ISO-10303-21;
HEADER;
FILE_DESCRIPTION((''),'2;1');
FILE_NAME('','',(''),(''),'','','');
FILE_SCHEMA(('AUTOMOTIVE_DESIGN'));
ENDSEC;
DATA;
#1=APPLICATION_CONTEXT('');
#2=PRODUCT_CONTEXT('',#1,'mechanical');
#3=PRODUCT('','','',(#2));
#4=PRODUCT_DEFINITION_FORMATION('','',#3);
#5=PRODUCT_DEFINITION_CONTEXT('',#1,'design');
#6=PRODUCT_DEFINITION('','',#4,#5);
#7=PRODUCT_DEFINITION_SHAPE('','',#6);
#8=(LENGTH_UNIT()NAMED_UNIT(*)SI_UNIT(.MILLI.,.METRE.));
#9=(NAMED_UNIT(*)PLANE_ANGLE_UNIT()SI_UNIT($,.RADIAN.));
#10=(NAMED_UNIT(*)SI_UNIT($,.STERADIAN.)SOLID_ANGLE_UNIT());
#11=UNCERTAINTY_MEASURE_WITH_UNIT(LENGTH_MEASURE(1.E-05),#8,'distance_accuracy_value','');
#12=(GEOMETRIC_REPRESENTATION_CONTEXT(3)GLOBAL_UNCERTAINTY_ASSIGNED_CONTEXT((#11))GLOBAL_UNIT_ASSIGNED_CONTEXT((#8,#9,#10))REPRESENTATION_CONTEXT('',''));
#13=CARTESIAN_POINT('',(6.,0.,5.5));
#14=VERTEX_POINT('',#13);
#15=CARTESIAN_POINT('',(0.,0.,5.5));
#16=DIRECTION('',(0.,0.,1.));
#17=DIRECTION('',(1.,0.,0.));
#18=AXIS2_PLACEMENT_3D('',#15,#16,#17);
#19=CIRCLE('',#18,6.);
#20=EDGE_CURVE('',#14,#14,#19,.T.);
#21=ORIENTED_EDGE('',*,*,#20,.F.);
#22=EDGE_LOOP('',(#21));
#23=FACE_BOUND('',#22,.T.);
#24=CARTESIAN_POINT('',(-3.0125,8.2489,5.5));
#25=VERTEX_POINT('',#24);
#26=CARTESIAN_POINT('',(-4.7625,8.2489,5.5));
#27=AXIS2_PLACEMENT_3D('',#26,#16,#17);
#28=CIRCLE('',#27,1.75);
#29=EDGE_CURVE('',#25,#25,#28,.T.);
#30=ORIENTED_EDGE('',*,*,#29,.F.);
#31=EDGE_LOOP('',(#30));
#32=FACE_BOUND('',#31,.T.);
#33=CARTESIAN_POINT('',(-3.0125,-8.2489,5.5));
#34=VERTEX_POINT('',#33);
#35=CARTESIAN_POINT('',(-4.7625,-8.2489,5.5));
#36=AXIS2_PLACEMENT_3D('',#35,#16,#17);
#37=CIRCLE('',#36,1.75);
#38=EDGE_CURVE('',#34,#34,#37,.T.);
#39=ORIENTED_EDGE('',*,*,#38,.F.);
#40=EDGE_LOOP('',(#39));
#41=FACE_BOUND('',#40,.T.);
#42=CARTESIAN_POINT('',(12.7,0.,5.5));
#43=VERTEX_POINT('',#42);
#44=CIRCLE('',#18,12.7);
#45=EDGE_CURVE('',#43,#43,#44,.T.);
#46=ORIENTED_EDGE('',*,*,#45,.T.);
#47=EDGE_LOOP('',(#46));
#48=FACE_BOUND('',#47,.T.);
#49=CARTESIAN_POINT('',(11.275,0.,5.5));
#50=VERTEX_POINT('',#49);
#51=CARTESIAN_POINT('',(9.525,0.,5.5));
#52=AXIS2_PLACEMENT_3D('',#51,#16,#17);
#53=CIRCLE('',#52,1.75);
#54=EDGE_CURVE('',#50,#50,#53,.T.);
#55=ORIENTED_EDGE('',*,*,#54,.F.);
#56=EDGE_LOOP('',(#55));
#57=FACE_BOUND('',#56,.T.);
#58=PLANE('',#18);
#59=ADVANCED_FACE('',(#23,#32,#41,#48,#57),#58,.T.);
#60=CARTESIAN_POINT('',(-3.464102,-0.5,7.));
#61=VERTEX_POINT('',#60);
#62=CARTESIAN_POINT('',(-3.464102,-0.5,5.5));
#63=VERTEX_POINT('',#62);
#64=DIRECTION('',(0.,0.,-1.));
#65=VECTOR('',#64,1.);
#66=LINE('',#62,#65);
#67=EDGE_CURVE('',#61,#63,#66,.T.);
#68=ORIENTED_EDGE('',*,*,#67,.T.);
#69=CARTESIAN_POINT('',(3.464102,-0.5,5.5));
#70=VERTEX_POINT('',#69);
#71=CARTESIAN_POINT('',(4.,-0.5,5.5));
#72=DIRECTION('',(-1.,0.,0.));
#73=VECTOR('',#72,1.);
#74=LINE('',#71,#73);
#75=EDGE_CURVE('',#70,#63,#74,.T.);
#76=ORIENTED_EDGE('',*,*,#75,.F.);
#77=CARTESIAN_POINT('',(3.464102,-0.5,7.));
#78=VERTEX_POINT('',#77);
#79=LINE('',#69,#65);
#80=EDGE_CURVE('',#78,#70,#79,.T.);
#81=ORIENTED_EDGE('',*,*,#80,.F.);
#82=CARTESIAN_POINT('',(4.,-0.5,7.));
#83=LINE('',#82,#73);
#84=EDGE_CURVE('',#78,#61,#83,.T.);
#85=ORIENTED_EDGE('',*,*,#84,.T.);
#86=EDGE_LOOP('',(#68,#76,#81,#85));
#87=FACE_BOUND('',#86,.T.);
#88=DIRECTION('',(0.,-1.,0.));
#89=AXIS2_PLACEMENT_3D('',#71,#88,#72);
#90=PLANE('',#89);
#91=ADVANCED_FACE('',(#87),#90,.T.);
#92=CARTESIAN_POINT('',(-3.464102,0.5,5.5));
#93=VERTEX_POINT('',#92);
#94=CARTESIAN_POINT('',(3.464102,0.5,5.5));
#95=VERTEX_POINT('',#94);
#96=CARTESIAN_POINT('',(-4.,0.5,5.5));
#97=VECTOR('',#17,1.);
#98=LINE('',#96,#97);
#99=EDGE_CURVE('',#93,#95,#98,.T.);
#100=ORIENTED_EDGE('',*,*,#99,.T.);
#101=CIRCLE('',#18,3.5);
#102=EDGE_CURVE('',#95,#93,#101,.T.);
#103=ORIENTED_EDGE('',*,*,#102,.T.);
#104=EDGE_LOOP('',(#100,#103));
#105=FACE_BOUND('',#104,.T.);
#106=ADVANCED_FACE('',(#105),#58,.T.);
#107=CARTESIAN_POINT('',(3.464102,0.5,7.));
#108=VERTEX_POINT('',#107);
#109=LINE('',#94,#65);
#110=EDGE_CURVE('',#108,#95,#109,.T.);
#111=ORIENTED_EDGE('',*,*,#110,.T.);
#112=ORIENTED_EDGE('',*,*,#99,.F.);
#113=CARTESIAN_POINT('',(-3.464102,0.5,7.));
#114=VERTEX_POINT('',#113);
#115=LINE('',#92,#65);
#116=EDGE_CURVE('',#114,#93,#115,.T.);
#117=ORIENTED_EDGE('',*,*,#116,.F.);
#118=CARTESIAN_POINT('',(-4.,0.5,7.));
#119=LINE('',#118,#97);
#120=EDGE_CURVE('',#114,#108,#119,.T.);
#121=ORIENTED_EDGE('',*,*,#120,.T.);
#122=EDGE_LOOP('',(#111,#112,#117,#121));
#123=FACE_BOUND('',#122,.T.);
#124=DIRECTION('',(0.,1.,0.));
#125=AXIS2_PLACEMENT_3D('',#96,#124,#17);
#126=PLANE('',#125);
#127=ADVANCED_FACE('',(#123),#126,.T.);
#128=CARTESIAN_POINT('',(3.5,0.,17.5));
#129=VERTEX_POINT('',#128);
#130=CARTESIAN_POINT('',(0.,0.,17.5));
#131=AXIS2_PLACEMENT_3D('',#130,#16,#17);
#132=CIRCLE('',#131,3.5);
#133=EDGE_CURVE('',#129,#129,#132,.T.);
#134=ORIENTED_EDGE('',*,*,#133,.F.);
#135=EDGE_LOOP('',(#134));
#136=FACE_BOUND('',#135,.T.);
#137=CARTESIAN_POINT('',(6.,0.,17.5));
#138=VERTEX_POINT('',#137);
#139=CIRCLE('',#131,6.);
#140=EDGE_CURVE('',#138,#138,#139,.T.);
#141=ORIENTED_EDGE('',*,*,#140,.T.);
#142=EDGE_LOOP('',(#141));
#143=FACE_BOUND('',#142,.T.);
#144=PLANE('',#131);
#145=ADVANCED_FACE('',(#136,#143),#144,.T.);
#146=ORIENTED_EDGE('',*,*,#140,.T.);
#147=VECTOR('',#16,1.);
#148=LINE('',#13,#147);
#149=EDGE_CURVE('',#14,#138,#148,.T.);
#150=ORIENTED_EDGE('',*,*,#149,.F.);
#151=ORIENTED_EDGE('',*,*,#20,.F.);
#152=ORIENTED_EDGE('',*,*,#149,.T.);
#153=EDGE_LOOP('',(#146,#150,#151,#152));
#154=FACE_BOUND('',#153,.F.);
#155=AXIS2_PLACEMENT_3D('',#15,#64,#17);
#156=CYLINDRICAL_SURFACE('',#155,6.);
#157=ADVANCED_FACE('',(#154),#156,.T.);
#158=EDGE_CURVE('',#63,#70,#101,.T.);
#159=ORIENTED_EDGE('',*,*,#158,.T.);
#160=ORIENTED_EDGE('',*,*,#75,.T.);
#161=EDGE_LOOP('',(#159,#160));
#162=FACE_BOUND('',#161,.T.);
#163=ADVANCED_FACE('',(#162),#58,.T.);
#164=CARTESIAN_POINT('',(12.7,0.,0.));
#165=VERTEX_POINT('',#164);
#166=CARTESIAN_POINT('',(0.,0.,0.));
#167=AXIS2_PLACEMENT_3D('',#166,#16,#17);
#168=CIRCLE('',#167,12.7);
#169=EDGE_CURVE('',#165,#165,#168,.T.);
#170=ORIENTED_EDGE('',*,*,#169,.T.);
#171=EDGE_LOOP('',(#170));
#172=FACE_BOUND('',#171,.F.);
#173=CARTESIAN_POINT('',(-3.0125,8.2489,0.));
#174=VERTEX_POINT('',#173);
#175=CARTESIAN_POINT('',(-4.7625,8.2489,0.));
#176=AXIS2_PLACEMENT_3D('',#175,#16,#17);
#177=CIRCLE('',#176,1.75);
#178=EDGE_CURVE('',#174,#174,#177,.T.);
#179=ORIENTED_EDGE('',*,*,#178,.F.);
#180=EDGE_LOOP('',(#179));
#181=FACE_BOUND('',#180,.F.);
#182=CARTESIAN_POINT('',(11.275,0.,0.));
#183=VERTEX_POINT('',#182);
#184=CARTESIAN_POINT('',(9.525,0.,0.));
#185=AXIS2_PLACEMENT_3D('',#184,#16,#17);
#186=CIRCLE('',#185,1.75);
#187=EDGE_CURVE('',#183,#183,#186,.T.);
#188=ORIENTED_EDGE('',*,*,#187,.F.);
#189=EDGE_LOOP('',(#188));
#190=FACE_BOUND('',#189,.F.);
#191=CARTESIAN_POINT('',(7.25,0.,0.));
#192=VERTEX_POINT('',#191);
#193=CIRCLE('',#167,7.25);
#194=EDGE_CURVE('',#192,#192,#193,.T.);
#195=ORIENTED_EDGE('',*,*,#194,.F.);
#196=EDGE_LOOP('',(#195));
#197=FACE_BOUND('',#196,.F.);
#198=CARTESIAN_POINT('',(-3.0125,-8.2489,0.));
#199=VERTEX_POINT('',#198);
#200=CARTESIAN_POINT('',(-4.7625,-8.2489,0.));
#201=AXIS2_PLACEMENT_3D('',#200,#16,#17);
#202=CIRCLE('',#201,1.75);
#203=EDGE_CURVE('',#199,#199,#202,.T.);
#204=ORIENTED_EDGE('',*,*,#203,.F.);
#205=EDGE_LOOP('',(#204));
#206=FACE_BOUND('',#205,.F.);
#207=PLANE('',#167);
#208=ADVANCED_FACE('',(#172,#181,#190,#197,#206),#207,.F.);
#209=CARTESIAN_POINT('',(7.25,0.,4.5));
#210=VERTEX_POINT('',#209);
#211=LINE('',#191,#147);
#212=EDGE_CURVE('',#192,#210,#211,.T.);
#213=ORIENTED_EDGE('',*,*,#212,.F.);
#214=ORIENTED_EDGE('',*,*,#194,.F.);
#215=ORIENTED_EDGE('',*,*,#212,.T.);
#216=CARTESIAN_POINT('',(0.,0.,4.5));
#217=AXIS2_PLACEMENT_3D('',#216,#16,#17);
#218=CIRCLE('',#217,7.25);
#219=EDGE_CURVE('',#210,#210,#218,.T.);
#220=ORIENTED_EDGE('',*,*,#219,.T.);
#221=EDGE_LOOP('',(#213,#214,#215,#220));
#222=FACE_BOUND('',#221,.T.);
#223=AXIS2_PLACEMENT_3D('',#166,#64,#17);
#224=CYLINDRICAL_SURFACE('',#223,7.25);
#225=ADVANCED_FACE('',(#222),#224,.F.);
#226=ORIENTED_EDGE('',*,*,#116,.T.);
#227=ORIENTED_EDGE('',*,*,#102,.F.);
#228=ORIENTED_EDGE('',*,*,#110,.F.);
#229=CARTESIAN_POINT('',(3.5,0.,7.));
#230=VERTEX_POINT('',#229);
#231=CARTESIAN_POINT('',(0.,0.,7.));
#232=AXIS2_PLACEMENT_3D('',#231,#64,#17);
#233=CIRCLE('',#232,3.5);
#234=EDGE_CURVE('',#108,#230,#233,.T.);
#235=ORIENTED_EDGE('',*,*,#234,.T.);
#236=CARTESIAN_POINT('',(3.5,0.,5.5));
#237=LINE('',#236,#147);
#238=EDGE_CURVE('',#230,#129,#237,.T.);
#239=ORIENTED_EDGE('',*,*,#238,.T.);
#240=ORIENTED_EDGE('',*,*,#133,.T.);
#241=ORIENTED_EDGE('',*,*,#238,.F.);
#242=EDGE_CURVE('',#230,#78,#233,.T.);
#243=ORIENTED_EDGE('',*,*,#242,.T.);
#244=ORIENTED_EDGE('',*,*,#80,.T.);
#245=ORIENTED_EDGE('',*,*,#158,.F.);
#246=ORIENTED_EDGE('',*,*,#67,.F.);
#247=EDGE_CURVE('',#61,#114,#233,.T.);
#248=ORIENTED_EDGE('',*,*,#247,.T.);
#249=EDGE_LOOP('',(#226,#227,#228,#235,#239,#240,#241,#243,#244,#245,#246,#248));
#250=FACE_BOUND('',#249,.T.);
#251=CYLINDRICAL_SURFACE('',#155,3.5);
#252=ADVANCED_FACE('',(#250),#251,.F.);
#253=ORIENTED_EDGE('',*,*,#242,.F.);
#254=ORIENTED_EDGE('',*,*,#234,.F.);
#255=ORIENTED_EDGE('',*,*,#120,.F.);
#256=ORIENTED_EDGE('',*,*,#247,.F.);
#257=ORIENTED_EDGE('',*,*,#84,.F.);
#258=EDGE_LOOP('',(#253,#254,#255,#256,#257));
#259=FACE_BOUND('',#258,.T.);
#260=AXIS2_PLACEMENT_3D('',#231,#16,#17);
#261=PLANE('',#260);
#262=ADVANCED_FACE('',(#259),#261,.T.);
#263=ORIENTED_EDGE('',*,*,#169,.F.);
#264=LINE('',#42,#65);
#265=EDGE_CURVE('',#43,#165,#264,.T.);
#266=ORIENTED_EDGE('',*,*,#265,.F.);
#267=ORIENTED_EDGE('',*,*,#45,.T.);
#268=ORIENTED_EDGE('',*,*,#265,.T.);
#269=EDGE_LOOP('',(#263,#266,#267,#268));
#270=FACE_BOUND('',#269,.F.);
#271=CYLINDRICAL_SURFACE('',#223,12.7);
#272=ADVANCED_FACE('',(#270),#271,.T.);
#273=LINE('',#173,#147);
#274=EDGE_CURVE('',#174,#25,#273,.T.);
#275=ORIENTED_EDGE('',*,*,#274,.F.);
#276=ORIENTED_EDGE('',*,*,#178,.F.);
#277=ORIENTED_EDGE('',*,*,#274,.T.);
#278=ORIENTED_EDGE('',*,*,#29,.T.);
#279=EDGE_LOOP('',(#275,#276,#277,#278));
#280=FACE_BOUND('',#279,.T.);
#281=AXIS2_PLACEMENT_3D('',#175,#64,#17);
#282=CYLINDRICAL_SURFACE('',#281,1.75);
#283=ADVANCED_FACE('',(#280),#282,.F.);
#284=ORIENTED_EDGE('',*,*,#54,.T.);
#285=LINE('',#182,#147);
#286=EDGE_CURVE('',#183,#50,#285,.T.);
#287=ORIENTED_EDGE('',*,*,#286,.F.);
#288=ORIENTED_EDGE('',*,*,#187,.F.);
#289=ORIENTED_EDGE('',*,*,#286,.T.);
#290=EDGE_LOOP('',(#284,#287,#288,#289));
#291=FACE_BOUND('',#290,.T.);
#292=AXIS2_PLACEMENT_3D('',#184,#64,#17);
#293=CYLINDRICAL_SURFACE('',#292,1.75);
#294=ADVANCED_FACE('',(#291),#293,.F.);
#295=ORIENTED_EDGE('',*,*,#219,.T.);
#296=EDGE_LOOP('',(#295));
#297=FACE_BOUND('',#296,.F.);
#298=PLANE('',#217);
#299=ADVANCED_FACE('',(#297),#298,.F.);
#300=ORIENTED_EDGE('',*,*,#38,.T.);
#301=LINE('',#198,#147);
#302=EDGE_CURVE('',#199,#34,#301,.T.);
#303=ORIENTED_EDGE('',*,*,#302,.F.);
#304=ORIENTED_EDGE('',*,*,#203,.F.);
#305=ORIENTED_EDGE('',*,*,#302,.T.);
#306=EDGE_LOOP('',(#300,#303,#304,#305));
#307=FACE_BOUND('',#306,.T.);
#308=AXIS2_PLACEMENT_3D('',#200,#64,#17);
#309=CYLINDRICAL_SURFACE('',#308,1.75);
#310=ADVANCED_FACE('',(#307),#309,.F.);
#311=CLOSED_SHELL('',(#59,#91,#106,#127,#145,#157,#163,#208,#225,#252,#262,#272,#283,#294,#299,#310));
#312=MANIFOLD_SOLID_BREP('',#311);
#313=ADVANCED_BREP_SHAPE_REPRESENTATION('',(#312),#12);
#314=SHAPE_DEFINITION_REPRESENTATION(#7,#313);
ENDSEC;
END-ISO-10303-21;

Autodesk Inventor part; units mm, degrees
ref_plane "YZ Plane" through (0, 0, 0) normal (1, 0, 0) x (0, 1, 0)
ref_plane "XZ Plane" through (0, 0, 0) normal (0, 1, 0) x (-1, 0, 0)
ref_plane "XY Plane" through (0, 0, 0) normal (0, 0, 1) x (1, 0, 0)
sketch "Sketch1" plane through (0, 0, 0) normal (0, 0, 1) x (1, 0, 0)
  circle A0 centre (0, 0) radius 7.25
  circle A1 centre (0, 0) radius 12.7
  circle A2 centre (0, 0) radius 9.525 construction
  circle A3 centre (9.525, 0) radius 1.75
  circle A4 centre (-4.7625, 8.2489) radius 1.75
  circle A5 centre (-4.7625, -8.2489) radius 1.75
  dimension "d2" = 19.05
  dimension "d0" = 14.5
  dimension "d1" = 25.4
  dimension "d3" = 3.5
  dimension "d6" = 360
extrude "Extrusion1" add sketch "Sketch1" along normal blind 4.5
sketch "Sketch2" plane through (0, 0, 4.5) normal (0, 0, 1) x (1, 0, 0)
  circle A0 centre (0, 0) radius 12.7 projected
  circle A1 centre (-4.7625, 8.2489) radius 1.75 projected
  circle A2 centre (9.525, 0) radius 1.75 projected
  circle A3 centre (-4.7625, -8.2489) radius 1.75 projected
extrude "Extrusion2" add sketch "Sketch2" along normal blind 1
sketch "Sketch3" plane through (0, 0, 5.5) normal (0, 0, 1) x (1, 0, 0)
  line L0 (-4, 0.5) -> (4, 0.5)
  line L1 (4, 0.5) -> (4, -0.5)
  line L2 (4, -0.5) -> (-4, -0.5)
  line L3 (-4, -0.5) -> (-4, 0.5)
  point P0 (0, 0)
  point P1 (4, 0)
  point P2 (0, 0.5)
  dimension "d12" = 1
  dimension "d13" = 8
extrude "Extrusion3" add sketch "Sketch3" along normal blind 1.5
sketch "Sketch4" plane through (0, 0, 5.5) normal (0, 0, 1) x (1, 0, 0)
  circle A0 centre (0, 0) radius 3.5
  circle A1 centre (0, 0) radius 6
  dimension "d16" = 7
  dimension "d17" = 12
extrude "Extrusion4" add sketch "Sketch4" along normal blind 12
properties part number "AA038" material "ABS Plastic"
